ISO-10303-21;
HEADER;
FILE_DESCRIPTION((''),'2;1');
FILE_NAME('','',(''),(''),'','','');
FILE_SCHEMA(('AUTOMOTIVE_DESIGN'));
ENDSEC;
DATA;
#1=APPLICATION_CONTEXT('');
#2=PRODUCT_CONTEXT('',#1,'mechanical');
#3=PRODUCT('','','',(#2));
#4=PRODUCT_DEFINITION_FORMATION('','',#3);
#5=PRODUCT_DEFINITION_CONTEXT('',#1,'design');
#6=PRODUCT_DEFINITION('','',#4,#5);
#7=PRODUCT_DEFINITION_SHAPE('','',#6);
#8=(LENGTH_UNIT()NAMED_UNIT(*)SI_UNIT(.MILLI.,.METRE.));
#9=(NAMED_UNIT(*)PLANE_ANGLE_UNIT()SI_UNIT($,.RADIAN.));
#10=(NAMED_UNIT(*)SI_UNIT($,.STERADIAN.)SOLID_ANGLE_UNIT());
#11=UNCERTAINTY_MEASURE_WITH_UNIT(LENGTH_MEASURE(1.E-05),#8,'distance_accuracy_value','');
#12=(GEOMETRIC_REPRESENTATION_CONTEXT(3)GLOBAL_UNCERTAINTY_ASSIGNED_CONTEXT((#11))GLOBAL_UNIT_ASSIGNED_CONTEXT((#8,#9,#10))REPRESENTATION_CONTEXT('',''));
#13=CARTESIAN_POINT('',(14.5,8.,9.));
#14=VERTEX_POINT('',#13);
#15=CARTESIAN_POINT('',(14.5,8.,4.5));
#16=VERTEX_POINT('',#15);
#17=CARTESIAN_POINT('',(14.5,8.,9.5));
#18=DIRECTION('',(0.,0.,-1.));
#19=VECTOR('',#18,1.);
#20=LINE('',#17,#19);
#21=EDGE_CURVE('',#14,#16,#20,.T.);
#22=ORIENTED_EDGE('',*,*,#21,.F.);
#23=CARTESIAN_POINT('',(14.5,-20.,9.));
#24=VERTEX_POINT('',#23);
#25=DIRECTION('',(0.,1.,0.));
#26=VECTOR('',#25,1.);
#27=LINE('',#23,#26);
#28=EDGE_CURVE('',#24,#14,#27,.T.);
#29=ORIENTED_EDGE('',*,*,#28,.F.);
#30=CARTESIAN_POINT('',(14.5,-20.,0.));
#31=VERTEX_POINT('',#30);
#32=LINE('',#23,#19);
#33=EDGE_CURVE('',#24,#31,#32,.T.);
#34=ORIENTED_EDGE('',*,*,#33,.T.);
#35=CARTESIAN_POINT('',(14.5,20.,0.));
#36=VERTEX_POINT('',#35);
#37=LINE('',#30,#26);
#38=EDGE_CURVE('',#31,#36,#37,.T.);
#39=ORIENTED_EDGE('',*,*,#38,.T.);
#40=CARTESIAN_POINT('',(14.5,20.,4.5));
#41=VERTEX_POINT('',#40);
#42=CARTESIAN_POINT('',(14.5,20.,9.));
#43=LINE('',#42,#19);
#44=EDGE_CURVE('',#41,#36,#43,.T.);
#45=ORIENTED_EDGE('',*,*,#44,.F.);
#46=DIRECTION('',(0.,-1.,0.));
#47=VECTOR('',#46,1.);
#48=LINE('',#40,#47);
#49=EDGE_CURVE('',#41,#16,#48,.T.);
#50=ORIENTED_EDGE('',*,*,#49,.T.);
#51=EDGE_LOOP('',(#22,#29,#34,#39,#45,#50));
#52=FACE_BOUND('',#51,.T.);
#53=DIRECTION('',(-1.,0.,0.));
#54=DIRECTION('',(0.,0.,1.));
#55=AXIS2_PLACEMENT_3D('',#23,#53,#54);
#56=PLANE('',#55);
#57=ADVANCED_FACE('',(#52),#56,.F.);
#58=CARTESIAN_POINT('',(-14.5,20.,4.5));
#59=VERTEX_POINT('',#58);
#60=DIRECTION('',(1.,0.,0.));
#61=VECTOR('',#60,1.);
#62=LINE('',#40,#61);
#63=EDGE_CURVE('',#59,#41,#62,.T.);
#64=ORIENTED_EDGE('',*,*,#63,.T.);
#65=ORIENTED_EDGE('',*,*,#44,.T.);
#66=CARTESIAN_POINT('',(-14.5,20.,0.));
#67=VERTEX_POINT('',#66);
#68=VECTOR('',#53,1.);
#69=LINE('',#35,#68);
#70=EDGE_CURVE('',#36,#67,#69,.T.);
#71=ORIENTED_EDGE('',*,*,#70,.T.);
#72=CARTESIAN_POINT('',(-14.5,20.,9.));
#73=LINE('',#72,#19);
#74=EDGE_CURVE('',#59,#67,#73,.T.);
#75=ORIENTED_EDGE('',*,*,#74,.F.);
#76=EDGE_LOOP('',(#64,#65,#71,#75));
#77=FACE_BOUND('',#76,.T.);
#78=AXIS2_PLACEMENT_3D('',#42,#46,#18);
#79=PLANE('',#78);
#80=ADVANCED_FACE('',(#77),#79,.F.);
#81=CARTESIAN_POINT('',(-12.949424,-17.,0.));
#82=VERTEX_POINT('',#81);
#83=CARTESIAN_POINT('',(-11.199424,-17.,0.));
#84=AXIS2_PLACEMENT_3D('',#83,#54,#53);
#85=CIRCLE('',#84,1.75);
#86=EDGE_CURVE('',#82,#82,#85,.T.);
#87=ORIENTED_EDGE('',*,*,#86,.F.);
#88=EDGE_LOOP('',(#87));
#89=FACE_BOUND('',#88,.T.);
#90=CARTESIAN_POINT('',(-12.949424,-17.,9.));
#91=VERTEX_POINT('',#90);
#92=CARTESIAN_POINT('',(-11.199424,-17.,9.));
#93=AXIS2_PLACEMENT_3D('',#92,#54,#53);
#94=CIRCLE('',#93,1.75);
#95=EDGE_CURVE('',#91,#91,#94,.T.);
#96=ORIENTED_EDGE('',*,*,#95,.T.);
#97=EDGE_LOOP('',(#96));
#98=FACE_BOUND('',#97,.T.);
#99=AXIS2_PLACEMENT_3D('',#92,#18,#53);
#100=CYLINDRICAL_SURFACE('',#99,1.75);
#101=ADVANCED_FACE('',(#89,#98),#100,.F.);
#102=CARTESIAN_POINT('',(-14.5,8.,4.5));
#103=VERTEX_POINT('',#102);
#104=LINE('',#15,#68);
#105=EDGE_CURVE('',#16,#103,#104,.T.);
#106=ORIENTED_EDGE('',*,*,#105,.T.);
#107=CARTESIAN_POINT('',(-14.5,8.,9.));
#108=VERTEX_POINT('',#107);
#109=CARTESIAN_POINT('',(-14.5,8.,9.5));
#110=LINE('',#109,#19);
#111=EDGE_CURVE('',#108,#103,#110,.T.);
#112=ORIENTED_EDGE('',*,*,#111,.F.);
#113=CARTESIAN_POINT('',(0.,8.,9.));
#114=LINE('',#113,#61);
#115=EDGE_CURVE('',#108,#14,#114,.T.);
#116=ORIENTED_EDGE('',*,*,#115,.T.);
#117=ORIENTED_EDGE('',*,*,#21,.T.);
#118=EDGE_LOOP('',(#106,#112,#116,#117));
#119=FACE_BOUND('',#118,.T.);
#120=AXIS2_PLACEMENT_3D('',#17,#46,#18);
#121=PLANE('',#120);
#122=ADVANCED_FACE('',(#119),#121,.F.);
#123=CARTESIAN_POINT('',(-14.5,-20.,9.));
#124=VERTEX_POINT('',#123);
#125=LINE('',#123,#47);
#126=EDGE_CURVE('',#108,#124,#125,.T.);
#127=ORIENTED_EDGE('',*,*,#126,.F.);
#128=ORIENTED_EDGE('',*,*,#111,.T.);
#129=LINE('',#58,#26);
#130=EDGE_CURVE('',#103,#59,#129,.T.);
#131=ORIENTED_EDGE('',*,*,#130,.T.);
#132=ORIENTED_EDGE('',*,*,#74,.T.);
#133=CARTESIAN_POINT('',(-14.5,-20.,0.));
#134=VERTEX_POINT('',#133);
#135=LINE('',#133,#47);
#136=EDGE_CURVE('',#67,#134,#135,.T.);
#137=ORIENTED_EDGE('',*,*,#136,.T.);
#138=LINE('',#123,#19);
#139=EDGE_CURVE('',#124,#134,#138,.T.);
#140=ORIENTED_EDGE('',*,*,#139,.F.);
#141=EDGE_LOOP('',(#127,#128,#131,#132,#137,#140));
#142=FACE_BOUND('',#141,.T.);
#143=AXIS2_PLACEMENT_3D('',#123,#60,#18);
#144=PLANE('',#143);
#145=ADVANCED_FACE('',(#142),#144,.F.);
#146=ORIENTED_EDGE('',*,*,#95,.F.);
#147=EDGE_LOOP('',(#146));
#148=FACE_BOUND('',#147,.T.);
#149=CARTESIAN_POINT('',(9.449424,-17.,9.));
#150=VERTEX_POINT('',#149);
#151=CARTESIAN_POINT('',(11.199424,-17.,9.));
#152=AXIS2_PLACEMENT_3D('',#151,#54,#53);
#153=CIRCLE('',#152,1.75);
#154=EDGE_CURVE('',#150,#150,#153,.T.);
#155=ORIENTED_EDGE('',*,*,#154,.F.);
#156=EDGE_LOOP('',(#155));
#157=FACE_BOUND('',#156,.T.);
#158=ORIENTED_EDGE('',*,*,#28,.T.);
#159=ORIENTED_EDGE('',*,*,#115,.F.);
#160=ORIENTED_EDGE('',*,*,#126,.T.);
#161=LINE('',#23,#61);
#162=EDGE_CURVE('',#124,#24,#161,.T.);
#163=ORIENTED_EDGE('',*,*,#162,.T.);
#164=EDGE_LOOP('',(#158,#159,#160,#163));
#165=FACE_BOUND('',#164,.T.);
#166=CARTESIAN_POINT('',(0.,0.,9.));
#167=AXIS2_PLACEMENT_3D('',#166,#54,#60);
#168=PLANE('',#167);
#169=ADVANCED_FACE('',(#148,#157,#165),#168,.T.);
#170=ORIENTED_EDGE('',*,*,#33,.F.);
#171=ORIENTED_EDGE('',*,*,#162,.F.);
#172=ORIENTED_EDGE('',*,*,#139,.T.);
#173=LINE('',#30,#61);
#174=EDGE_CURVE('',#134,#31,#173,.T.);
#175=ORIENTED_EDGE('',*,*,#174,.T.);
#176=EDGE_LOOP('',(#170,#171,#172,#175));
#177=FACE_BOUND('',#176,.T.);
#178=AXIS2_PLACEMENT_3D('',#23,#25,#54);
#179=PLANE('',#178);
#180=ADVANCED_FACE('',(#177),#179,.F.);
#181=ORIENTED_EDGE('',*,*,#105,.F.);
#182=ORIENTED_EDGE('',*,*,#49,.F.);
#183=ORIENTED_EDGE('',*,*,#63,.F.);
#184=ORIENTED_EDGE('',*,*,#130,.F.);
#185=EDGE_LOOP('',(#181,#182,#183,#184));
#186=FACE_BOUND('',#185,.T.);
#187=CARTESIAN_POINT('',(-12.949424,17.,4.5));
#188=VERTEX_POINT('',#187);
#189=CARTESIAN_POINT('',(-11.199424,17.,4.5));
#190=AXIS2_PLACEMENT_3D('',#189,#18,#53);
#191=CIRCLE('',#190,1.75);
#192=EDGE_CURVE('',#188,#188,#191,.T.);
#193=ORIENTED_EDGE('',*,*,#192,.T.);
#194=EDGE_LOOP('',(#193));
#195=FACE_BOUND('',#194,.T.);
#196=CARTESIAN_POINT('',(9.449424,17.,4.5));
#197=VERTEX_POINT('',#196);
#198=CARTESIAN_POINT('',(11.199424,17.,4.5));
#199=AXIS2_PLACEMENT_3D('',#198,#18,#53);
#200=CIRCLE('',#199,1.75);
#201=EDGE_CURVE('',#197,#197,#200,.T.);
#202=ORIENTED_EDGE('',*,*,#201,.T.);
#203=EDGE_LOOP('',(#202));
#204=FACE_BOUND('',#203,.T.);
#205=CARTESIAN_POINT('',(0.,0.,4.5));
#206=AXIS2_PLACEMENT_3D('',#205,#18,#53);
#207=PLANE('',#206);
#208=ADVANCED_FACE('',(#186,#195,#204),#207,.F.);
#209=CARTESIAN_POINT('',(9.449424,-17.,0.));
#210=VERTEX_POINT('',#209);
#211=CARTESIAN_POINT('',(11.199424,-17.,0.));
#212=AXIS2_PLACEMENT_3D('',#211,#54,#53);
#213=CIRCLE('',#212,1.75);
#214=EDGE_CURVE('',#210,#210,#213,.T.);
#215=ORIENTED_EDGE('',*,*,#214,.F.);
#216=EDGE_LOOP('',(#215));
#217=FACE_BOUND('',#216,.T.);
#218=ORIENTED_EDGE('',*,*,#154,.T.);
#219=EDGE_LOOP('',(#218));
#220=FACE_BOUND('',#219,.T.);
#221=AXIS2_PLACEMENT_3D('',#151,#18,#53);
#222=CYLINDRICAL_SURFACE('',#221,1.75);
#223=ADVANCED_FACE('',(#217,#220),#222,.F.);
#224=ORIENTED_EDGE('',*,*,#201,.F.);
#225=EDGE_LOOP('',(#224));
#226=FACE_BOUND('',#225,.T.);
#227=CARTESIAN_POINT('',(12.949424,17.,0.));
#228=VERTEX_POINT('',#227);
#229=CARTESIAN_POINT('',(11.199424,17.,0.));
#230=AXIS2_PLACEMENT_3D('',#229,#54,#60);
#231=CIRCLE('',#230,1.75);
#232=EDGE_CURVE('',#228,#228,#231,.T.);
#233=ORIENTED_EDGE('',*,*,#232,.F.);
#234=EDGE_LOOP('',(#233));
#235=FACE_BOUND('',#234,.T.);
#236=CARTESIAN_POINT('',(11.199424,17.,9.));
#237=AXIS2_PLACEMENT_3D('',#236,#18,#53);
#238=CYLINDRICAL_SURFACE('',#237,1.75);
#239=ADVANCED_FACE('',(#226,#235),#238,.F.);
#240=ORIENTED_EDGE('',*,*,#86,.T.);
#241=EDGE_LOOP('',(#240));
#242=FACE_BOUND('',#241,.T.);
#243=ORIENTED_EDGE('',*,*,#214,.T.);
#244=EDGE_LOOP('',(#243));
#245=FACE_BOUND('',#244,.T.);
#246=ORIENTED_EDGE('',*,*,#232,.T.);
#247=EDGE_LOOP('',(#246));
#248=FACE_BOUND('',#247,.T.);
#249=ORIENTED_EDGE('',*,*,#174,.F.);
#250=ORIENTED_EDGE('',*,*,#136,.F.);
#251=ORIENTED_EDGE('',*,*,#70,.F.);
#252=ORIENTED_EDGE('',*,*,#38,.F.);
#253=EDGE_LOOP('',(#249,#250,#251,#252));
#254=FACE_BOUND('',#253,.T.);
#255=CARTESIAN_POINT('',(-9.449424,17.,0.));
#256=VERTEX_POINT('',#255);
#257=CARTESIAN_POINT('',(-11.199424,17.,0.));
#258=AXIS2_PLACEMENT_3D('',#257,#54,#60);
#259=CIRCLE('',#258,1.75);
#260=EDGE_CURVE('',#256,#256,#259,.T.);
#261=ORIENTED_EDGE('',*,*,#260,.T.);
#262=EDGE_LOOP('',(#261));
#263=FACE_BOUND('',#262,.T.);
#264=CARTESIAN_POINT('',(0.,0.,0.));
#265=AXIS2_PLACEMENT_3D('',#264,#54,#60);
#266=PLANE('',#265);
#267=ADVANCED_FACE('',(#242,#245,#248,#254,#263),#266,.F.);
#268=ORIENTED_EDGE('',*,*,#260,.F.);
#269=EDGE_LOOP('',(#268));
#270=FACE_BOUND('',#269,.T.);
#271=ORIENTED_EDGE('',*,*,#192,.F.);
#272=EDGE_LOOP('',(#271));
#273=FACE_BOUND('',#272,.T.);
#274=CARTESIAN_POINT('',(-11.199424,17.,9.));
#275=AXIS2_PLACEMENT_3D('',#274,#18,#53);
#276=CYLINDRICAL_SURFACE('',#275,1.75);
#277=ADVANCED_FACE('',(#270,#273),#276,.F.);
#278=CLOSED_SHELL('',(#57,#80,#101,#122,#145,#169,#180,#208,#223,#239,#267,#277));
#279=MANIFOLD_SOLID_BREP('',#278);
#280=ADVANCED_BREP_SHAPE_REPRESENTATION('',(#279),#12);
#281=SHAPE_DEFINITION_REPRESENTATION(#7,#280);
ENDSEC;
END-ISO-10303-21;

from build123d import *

# Parameters (mm, degrees)
SKETCH_1_W          = 29
SKETCH_1_H          = 40
SKETCH_1_R          = 1.75
EXTRUDE_1_DEPTH     = 9
SKETCH_3_W          = 29
SKETCH_3_H          = 12
CUT_EXTRUDE_2_DEPTH = 5


with BuildPart() as part:
    # 스케치1 → 보스-돌출1 (new body)
    with BuildSketch(Plane.XY):
        Rectangle(SKETCH_1_W, SKETCH_1_H)
        with Locations((11.199423754, 17)):
            Circle(SKETCH_1_R, mode=Mode.SUBTRACT)
        with Locations((-11.199423754, 17)):
            Circle(SKETCH_1_R, mode=Mode.SUBTRACT)
        with Locations(Location((11.199423754, -17, 0), (0, 0, 180))):
            Circle(SKETCH_1_R, mode=Mode.SUBTRACT)
        with Locations(Location((-11.199423754, -17, 0), (0, 0, 180))):
            Circle(SKETCH_1_R, mode=Mode.SUBTRACT)
    extrude(amount=EXTRUDE_1_DEPTH)

    # 스케치3 → 컷-돌출2 (cut)
    with BuildSketch(Plane(origin=(0, 0, 4.5), x_dir=(-1, 0, 0), z_dir=(0, 0, -1))):
        with Locations((0, 14)):
            Rectangle(SKETCH_3_W, SKETCH_3_H)
    extrude(amount=-CUT_EXTRUDE_2_DEPTH, mode=Mode.SUBTRACT)


solid = part.part
